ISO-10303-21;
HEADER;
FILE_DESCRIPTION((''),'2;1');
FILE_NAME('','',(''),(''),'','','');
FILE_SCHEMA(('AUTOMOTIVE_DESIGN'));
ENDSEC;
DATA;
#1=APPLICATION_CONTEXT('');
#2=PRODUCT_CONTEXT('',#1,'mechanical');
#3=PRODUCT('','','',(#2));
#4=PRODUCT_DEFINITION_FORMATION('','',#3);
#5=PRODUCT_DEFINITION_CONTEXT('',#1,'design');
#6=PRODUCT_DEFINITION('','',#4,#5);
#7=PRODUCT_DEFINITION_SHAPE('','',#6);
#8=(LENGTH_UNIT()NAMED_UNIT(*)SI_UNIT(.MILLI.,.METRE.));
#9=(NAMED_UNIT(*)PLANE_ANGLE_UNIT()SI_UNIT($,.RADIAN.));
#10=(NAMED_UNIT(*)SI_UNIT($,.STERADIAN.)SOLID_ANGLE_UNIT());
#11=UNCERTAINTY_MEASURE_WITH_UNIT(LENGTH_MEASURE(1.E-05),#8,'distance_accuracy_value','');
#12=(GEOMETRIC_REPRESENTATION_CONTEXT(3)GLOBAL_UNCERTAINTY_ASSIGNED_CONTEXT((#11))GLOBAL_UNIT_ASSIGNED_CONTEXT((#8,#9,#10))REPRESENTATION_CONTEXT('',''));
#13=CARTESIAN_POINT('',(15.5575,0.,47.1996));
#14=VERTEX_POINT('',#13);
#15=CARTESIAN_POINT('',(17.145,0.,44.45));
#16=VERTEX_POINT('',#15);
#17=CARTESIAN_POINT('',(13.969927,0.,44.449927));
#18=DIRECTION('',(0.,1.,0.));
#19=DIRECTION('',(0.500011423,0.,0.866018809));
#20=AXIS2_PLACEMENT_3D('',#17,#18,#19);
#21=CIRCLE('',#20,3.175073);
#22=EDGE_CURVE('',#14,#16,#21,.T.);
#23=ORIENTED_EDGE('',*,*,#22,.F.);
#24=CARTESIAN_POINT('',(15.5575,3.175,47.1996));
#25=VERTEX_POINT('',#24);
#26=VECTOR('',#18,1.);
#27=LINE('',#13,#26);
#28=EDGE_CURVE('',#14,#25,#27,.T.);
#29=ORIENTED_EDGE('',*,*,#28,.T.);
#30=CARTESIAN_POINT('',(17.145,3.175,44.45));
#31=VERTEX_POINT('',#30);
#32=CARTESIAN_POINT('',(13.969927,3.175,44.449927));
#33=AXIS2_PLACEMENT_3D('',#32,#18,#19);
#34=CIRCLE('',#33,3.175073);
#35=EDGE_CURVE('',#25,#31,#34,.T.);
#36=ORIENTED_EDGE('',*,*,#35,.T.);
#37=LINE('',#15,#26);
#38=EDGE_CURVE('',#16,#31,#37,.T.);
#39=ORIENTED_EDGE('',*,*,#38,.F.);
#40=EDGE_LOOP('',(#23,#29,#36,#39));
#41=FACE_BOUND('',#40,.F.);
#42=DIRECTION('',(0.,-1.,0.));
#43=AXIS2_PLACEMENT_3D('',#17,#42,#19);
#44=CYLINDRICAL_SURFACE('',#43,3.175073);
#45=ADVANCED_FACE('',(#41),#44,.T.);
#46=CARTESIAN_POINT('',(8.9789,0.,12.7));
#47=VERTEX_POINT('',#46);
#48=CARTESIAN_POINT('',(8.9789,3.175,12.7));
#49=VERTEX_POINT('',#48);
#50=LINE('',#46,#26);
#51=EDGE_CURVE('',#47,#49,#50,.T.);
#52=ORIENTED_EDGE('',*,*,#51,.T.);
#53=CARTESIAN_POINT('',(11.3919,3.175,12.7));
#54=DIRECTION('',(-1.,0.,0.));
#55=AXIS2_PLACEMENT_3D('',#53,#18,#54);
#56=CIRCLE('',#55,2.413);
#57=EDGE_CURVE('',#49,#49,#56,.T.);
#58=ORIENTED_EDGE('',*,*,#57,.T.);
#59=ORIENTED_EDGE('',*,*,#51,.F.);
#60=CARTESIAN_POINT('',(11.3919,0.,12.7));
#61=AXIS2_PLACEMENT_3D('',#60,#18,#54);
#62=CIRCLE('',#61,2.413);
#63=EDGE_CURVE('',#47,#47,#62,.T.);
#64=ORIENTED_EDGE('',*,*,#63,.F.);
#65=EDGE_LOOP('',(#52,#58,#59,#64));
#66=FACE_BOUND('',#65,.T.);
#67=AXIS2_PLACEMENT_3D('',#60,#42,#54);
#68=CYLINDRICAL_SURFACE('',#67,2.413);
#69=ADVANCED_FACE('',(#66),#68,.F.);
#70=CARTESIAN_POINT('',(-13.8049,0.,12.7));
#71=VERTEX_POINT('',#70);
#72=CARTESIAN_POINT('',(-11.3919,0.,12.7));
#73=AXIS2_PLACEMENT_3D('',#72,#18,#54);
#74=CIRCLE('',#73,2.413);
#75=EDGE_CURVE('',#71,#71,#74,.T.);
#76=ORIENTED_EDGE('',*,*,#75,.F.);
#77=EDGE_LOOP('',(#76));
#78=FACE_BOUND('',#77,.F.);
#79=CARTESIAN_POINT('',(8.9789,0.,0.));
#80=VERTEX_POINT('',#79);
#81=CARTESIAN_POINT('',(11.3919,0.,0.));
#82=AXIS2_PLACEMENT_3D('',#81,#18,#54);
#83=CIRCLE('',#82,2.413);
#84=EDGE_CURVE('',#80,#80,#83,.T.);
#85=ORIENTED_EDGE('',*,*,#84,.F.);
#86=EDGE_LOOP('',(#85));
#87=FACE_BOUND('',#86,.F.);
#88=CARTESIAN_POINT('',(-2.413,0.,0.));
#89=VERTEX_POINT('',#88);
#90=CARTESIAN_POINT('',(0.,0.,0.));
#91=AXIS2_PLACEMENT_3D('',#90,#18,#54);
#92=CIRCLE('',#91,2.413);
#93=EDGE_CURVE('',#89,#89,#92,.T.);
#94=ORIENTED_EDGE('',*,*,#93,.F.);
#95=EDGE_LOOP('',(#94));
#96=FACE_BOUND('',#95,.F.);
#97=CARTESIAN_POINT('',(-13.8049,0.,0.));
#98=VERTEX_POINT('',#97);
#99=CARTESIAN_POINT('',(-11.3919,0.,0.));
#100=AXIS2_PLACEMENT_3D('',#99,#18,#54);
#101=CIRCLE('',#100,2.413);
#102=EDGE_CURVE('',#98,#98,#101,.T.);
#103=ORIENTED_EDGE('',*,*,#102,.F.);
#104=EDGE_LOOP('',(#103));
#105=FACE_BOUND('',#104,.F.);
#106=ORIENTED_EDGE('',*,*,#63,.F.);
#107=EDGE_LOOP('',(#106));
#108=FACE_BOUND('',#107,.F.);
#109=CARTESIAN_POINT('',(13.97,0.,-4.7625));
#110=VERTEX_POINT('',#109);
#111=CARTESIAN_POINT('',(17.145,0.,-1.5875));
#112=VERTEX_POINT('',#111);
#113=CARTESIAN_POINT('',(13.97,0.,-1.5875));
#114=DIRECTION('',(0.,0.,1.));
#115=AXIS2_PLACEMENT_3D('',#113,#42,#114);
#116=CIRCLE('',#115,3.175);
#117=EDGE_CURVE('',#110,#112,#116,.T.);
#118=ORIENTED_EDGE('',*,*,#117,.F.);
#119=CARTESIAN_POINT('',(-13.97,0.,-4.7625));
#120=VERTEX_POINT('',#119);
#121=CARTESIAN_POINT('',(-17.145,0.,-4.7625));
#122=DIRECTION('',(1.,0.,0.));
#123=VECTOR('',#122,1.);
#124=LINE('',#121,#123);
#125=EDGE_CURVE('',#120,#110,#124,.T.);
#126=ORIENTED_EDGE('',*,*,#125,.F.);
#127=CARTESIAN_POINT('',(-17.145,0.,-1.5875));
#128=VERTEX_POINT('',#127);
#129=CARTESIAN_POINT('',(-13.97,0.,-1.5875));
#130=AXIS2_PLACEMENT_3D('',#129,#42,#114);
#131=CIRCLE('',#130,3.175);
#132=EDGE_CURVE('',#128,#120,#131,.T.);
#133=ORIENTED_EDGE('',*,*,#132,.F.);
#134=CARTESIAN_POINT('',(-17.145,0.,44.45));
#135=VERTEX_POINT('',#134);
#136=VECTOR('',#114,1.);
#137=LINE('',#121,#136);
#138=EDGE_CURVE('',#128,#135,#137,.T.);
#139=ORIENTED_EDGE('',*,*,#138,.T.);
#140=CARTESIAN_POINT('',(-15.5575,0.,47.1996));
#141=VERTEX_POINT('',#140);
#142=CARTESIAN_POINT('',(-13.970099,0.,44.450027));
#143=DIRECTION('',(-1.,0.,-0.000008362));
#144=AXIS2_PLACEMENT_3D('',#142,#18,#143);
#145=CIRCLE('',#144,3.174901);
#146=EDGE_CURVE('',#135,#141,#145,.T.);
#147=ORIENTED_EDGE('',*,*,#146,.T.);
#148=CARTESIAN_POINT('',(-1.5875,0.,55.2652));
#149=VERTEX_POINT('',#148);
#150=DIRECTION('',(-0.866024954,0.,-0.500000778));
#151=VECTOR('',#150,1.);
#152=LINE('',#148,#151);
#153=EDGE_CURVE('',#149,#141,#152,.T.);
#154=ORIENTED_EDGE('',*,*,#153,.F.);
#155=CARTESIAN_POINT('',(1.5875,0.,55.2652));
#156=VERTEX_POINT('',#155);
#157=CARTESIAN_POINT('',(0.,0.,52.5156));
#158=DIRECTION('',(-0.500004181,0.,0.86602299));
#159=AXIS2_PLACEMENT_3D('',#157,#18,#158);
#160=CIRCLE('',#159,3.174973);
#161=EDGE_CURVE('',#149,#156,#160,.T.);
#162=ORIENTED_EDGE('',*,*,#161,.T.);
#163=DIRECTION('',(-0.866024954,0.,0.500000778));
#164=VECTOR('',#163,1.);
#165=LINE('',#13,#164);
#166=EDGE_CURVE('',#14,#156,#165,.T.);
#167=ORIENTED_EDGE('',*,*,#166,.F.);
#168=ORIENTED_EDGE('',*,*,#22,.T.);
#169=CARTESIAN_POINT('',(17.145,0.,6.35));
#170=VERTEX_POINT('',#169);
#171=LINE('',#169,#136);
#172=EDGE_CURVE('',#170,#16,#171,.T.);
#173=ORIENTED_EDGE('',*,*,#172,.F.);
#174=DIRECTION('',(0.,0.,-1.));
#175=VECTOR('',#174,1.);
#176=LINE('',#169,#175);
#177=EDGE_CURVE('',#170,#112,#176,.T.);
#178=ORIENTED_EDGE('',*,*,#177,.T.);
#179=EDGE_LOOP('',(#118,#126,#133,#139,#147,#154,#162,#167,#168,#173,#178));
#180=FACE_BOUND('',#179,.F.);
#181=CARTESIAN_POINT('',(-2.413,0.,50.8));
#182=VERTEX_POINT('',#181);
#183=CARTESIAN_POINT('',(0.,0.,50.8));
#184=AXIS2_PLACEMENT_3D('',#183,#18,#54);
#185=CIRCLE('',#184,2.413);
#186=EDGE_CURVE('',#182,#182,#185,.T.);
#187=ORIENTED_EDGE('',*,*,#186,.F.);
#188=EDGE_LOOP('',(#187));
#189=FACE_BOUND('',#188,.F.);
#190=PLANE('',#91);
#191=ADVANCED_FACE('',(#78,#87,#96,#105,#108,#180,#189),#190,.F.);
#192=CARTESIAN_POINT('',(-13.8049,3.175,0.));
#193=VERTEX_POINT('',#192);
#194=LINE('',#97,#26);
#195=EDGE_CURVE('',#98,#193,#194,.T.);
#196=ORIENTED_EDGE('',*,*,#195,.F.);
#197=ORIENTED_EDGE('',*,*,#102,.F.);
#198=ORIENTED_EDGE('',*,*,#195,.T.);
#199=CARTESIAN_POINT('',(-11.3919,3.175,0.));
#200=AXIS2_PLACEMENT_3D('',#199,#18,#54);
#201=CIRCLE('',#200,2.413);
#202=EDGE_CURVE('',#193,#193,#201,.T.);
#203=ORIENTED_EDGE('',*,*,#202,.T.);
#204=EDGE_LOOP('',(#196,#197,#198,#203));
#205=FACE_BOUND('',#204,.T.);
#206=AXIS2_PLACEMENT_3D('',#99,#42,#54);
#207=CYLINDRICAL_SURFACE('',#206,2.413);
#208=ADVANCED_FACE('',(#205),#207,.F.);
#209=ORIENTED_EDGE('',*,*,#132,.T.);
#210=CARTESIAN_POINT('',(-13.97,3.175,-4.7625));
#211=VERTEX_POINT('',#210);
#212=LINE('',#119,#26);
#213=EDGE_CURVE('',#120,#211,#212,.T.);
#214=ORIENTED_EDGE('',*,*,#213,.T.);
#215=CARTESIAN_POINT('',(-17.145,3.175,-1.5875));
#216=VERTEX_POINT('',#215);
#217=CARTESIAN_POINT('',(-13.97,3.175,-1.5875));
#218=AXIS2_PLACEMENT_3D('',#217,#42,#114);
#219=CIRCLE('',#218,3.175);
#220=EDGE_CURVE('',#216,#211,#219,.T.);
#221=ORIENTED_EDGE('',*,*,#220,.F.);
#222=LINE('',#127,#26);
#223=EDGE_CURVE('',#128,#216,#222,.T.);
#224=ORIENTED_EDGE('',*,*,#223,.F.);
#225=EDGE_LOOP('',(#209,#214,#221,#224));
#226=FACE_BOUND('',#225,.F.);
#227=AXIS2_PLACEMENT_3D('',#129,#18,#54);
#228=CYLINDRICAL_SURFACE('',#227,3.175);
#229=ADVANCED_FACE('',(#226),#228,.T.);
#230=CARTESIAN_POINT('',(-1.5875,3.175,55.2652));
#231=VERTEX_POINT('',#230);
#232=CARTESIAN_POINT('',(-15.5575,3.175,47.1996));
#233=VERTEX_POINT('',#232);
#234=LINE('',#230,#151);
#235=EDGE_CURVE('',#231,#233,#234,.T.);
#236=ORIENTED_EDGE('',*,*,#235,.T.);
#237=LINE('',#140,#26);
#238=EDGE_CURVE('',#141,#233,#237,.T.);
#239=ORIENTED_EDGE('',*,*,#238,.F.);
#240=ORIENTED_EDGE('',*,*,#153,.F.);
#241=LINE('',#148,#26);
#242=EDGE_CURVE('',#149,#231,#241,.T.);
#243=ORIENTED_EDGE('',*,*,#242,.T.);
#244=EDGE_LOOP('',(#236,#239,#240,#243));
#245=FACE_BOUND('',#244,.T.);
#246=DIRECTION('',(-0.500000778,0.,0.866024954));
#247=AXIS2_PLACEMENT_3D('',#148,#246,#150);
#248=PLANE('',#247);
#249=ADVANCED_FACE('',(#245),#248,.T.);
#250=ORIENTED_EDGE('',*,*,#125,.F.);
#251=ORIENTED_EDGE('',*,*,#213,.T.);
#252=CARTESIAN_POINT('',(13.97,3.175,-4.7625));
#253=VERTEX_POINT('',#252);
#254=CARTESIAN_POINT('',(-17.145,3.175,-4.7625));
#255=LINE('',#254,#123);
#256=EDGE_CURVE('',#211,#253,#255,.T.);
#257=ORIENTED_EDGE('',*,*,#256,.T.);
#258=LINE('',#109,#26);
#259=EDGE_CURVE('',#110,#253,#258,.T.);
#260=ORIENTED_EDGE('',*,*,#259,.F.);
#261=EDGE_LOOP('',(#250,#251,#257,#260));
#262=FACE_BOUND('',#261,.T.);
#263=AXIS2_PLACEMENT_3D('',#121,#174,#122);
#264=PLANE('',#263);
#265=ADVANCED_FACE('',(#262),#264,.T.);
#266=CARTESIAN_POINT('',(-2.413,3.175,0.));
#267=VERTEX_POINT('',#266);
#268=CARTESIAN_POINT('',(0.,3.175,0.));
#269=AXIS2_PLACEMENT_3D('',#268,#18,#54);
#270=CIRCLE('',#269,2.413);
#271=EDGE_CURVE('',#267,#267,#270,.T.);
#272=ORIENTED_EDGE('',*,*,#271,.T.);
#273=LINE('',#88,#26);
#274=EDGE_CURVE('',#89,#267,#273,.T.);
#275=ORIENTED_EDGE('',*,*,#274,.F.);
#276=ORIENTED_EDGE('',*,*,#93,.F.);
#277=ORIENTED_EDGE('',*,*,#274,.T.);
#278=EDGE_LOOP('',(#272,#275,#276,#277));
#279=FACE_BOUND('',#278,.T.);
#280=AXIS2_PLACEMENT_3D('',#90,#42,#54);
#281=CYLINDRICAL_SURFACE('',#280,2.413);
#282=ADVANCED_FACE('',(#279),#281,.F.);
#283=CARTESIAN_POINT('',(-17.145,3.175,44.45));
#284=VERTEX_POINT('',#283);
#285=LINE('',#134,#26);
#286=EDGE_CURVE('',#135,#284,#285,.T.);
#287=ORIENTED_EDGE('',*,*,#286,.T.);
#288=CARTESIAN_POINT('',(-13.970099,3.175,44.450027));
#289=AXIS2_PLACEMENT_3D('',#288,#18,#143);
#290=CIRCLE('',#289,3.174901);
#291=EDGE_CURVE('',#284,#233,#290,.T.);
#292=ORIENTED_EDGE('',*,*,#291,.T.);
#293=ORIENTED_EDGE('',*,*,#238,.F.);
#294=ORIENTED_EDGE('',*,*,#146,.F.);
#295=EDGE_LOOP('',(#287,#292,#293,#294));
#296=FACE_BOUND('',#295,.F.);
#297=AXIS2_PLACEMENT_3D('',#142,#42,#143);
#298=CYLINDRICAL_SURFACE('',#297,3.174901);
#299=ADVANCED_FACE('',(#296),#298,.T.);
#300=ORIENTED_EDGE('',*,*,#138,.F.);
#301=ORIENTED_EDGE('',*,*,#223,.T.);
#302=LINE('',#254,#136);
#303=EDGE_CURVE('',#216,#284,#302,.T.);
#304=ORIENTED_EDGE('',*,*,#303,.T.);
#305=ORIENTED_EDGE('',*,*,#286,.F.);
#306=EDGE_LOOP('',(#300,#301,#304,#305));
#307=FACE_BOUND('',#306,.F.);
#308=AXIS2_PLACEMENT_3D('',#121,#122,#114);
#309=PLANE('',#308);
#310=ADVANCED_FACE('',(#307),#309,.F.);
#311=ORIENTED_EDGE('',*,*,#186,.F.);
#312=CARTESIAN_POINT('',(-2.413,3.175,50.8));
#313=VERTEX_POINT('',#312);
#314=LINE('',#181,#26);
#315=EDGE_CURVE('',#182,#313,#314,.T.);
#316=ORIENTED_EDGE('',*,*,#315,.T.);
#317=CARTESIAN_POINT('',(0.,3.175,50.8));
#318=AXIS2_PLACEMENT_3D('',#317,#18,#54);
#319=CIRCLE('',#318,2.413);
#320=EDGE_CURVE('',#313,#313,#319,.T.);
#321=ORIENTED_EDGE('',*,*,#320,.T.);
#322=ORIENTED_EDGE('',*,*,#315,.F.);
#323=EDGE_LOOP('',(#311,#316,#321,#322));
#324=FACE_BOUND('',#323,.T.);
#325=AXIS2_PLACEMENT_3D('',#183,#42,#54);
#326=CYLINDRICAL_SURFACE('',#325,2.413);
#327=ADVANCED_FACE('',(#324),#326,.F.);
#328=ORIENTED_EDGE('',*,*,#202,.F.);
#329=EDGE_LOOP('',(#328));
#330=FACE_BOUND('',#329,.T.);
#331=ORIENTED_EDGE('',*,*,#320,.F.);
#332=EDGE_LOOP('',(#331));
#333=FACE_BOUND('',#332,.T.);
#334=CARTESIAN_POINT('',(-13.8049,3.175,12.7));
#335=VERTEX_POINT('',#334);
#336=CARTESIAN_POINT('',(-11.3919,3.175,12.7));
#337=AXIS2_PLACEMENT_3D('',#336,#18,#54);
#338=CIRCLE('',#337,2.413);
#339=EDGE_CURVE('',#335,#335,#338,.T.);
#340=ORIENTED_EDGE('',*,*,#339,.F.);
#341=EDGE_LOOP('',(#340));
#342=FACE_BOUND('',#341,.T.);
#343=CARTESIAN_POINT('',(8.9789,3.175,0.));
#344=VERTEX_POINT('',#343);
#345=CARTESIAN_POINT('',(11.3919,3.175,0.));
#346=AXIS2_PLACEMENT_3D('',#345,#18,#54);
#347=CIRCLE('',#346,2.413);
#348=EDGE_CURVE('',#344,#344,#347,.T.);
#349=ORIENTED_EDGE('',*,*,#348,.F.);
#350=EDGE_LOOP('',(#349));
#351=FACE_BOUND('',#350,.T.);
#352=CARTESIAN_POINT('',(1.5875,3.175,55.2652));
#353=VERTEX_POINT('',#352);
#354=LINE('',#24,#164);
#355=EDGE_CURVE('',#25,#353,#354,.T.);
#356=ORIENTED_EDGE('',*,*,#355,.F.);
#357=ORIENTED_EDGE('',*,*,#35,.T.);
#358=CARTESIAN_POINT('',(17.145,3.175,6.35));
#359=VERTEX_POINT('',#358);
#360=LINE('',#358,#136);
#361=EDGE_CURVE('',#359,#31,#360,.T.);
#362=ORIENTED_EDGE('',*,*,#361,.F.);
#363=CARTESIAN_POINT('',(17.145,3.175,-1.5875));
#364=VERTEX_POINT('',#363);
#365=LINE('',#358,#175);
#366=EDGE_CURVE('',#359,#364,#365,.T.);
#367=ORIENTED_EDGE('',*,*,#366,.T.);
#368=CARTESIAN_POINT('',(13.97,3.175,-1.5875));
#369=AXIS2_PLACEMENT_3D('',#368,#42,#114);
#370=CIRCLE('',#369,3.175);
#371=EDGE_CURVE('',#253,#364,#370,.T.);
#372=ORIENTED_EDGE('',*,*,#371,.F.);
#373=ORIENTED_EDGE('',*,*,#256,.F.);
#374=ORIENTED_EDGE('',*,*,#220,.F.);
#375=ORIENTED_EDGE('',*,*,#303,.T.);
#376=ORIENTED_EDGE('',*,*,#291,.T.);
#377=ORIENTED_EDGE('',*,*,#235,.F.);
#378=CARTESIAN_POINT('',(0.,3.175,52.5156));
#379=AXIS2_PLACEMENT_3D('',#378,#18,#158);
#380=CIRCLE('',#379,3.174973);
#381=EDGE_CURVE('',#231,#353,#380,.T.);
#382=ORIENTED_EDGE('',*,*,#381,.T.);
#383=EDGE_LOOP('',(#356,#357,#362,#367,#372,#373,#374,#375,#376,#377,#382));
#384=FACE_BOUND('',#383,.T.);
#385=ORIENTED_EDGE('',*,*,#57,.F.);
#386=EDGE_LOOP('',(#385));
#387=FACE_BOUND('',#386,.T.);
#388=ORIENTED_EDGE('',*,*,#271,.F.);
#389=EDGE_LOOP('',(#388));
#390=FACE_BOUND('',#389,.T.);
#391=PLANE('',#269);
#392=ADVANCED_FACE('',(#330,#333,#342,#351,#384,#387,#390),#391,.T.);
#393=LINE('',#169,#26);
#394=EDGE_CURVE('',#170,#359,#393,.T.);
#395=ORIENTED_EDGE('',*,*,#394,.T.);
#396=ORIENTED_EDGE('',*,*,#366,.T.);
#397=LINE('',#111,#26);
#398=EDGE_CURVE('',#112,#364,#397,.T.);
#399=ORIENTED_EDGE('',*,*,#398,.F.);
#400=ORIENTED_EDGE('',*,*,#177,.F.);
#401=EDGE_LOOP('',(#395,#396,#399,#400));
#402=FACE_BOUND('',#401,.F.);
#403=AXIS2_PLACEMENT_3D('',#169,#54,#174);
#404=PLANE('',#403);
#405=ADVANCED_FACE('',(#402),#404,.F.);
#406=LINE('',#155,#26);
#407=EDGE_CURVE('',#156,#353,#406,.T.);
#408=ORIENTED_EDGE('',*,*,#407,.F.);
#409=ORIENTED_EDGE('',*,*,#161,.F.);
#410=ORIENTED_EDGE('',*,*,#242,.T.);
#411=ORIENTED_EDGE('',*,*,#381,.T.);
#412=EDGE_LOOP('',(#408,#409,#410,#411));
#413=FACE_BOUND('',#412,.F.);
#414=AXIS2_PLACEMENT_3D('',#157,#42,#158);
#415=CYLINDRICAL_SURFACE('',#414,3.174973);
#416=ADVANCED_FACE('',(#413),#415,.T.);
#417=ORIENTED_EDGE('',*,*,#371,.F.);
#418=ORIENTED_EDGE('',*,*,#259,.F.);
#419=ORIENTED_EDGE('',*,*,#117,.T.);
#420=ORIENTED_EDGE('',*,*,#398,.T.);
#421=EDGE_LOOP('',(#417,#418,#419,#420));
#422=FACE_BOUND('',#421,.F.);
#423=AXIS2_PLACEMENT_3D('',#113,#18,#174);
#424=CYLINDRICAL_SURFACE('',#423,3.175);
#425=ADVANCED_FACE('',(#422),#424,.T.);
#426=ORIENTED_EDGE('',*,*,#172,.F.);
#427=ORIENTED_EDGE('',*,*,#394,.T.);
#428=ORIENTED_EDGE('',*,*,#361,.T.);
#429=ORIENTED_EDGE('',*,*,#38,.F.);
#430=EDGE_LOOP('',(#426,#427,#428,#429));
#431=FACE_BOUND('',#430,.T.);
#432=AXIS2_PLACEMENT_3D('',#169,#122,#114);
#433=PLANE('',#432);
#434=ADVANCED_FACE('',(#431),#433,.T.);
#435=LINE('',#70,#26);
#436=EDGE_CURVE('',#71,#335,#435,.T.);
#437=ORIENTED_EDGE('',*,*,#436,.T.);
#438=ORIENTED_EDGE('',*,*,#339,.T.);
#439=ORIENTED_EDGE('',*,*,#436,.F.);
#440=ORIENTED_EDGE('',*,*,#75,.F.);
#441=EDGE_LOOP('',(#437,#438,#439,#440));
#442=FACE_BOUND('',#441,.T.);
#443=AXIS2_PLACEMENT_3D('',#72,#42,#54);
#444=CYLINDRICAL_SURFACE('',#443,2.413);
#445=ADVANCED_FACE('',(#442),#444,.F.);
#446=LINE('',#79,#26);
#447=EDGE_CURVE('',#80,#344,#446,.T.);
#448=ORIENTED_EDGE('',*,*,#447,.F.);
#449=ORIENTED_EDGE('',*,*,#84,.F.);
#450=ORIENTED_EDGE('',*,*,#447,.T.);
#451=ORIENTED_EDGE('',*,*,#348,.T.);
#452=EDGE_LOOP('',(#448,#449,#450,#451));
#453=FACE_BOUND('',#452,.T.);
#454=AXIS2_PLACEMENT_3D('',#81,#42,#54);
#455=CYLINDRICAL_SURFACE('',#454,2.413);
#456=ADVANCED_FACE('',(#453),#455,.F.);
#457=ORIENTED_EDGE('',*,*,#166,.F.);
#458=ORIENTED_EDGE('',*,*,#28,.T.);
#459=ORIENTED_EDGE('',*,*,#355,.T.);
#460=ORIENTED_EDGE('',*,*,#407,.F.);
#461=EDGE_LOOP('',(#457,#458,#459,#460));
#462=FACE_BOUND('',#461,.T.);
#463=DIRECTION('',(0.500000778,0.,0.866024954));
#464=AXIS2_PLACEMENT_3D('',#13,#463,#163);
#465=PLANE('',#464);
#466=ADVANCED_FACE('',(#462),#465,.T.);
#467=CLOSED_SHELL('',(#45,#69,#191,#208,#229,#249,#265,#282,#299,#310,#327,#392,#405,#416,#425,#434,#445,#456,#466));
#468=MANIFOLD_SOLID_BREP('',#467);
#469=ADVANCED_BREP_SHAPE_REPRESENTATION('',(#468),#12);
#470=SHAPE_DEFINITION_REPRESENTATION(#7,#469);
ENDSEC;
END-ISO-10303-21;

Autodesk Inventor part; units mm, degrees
ref_plane "YZ Plane" through (0, 0, 0) normal (1, 0, 0) x (0, 1, 0)
ref_plane "XZ Plane" through (0, 0, 0) normal (0, 1, 0) x (-1, 0, 0)
ref_plane "XY Plane" through (0, 0, 0) normal (0, 0, 1) x (1, 0, 0)
sketch "Sketch1" plane through (0, 0, 0) normal (0, 1, 0) x (-1, 0, 0)
  circle A0 centre (0, 0) radius 2.413
  circle A1 centre (0, 50.8) radius 2.413
  line L0 (0, 50.8) -> (0, 0) construction
  circle A2 centre (11.3919, 12.7) radius 2.413
  circle A3 centre (11.3919, 0) radius 2.413
  circle A4 centre (-11.3919, 0) radius 2.413
  circle A5 centre (-11.3919, 12.7) radius 2.413
  line L1 (-11.3919, 0) -> (-11.3919, 12.7) construction
  line L2 (-11.3919, 12.7) -> (11.3919, 12.7) construction
  line L3 (1.5875, 55.2652) -> (15.5575, 47.1996)
  line L4 (-15.5575, 47.1996) -> (-1.5875, 55.2652)
  arc A6 (1.5875, 55.2652) -> (-1.5875, 55.2652) centre (0, 52.5156) ccw
  arc A7 (-15.5575, 47.1996) -> (-17.145, 44.45) centre (-13.97, 44.45) ccw
  arc A8 (17.145, 44.45) -> (15.5575, 47.1996) centre (13.97, 44.45) ccw
  line L5 (-17.145, 6.35) -> (-17.145, 44.45)
  line L6 (17.145, -4.7625) -> (17.145, 44.45)
  line L7 (17.145, -4.7625) -> (-17.145, -4.7625)
  line L8 (-17.145, 6.35) -> (-17.145, -4.7625)
  line L9 (13.97, 44.45) -> (-13.97, 44.45) construction
  point P0 (0, 25.4)
  point P1 (0, 56.1818)
  point P2 (26.6578, 40.7909)
  point P3 (26.6578, 10.0091)
  point P4 (-26.6578, 10.0091)
  point P5 (-26.6578, 40.7909)
  dimension "d1" = 4.826
  dimension "d2" = 50.8
  dimension "d3" = 4.826
  dimension "d4" = 4.826
  dimension "d5" = 12.7
  dimension "d6" = 11.3919
  dimension "d7" = 11.3919
  dimension "d8" = 0
  dimension "d9" = 4.826
  dimension "d10" = 4.826
  dimension "d11" = 11.3919
  dimension "d12" = 12.7
  dimension "d14" = 3.175
  dimension "d17" = 38.1
  dimension "d18" = 34.29
  dimension "d19" = 4.7625
  dimension "d20" = 6.35
  dimension "d21" = 49.2125
  dimension "d22" = 8.0656
extrude "Extrusion1" add sketch "Sketch1" along normal blind 3.175
fillet "Fillet1" radius 3.175 2 edges at (-17.145, 1.5875, -4.7625) (17.145, 1.5875, -4.7625)
equation "\"d7\" = d6"
equation "\"d11\" = d6"
equation "\"d21\" = d20 + d19 + d17"
properties part number "Roller Pneumatic Back Connector (Custom)" material "Aluminum 6061"
